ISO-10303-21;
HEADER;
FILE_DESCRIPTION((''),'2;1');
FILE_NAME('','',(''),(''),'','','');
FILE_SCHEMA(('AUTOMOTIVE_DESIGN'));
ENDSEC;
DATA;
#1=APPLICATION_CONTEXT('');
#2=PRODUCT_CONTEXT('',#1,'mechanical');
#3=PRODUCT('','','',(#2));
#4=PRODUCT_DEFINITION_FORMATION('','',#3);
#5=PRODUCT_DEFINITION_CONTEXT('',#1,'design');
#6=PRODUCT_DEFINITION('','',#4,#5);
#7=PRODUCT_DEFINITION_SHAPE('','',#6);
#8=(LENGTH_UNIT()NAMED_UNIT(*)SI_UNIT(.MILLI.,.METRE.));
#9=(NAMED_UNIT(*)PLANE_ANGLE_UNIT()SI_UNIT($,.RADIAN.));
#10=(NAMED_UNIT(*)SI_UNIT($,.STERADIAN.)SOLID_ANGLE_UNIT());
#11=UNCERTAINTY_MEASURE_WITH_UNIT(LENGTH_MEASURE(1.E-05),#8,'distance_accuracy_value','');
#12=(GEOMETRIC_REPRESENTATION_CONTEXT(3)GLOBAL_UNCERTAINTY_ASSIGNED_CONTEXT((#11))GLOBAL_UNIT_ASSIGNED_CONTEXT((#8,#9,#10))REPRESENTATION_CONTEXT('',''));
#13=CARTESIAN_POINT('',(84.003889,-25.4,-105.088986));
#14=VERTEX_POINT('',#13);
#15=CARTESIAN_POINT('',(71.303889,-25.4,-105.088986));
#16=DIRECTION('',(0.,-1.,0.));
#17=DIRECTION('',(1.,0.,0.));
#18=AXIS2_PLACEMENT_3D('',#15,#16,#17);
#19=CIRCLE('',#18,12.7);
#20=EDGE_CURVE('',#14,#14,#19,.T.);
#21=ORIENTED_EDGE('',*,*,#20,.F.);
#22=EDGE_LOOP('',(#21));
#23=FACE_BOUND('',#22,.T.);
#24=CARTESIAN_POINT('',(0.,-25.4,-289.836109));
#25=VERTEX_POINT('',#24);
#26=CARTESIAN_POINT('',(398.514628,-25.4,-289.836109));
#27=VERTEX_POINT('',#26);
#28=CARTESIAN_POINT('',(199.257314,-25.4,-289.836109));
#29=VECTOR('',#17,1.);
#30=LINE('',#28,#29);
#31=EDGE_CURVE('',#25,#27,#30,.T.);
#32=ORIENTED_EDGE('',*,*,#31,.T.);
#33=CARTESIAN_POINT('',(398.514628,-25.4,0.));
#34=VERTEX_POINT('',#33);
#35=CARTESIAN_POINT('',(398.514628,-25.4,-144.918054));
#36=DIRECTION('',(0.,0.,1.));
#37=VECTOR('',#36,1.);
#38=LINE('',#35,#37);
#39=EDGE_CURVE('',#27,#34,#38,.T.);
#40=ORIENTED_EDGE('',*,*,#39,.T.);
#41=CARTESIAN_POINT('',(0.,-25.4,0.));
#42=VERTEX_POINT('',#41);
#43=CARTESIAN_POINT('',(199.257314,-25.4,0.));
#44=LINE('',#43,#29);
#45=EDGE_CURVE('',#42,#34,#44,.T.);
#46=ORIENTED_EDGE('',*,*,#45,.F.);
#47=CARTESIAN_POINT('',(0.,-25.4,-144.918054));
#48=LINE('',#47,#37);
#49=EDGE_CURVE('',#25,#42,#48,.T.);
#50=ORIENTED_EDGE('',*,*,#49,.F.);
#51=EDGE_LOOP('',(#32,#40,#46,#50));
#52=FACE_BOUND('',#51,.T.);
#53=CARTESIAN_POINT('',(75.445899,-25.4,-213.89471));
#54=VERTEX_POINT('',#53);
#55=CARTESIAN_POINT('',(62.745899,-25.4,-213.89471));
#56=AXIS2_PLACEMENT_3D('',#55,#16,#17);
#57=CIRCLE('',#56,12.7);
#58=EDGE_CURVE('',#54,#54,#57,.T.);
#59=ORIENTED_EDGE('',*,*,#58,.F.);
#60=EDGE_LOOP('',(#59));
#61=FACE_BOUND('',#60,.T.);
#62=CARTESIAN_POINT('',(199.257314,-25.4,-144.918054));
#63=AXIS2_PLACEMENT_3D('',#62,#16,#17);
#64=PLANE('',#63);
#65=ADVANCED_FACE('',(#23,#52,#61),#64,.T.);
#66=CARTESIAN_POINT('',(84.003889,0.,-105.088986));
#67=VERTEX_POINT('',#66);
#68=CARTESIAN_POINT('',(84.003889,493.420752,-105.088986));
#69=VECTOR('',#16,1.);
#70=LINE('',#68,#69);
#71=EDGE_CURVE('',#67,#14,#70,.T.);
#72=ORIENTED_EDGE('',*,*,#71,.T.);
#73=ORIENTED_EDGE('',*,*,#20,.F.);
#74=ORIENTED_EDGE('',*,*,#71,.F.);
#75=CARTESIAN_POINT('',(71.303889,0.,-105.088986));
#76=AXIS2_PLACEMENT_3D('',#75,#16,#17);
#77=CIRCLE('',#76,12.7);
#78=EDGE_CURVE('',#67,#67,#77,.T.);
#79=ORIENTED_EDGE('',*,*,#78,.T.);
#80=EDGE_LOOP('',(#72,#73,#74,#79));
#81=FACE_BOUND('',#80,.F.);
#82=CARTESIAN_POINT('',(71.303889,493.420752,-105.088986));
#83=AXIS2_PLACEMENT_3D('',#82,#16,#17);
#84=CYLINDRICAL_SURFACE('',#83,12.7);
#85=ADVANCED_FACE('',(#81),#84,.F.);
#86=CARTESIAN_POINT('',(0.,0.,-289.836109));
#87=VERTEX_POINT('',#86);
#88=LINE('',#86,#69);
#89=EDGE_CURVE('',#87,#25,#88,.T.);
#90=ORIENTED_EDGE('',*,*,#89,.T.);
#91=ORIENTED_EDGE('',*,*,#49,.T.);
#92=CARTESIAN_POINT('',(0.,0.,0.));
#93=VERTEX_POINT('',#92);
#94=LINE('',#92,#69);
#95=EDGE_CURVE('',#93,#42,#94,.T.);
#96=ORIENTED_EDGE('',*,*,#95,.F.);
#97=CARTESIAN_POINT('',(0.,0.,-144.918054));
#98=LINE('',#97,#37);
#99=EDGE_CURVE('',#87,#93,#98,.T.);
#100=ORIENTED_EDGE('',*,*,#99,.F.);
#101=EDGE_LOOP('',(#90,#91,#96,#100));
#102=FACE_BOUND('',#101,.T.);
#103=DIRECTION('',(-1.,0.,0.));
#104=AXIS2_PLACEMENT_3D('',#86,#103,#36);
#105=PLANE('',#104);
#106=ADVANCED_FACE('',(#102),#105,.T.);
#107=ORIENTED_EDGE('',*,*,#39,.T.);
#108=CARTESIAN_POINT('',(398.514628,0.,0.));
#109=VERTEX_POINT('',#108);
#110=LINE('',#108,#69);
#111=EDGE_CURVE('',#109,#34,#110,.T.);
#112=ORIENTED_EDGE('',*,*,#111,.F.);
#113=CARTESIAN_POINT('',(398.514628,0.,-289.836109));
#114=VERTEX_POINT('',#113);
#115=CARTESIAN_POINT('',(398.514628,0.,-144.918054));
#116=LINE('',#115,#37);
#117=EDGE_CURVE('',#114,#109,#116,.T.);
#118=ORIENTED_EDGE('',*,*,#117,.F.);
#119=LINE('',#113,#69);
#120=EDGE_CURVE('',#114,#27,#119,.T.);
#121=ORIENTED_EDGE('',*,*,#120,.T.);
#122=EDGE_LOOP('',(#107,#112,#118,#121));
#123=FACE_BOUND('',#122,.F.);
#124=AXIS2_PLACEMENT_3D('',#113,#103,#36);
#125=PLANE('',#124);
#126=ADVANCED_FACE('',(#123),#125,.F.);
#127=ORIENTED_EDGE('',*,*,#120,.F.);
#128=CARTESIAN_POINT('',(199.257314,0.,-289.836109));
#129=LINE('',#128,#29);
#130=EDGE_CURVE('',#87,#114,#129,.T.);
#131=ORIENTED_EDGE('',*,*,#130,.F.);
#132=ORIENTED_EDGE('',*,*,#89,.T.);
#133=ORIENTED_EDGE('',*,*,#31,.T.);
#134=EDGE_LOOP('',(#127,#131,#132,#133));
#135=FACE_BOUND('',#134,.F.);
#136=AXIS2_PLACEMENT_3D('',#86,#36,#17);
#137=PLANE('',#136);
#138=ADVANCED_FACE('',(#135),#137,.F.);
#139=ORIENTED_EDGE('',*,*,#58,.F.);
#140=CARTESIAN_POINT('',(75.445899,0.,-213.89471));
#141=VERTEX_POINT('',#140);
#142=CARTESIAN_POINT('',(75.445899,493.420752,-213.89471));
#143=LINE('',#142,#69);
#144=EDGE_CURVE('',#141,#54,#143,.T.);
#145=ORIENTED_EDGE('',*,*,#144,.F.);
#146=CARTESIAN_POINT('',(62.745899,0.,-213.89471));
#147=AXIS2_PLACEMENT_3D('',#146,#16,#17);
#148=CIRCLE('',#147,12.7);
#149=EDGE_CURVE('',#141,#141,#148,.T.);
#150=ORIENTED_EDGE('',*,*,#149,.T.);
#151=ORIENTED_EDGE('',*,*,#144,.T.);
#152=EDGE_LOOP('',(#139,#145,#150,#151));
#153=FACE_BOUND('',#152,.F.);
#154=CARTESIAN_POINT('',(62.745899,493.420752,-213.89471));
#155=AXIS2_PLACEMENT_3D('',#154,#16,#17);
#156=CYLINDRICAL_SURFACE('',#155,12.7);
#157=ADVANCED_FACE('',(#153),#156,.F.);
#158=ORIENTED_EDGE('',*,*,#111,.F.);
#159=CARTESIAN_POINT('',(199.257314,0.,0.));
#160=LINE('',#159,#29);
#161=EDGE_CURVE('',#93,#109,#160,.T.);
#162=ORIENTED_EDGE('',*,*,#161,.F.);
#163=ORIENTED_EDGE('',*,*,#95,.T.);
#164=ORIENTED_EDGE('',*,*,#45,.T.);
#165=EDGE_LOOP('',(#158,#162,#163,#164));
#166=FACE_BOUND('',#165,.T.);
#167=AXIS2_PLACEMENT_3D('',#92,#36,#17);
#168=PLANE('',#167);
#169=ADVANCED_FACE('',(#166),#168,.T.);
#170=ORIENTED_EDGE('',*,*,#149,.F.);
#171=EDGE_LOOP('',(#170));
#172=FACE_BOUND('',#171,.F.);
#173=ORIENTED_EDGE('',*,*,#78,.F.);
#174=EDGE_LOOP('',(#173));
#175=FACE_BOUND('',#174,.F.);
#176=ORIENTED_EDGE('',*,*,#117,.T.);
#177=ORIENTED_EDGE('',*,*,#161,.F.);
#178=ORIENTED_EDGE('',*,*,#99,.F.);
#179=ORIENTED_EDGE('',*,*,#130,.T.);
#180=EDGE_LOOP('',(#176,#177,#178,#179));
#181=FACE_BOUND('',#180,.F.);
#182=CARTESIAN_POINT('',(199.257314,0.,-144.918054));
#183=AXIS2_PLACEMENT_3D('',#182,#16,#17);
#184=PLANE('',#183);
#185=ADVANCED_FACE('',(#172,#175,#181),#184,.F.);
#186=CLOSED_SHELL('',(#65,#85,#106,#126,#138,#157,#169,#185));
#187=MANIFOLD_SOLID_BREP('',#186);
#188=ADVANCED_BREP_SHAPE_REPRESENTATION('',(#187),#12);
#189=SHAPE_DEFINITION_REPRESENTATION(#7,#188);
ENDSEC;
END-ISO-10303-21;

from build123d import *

# Parameters (mm, degrees)
F0_W     = 398.514628
F0_H     = 289.836109
F1_DEPTH = 25.4
F3_D     = 25.4


with BuildPart() as f1:
    # F0 (on Front) → F1 (new body)
    with BuildSketch(Plane.XZ):
        with Locations((199.257314, -144.918054)):
            Rectangle(F0_W, F0_H)
    extrude(amount=F1_DEPTH)

    # F3 (through all)
    with Locations(Plane(origin=(0, 0, 0), x_dir=(-1, 0, 0), z_dir=(0, 1, 0))):
        with Locations((-71.303889, -105.088986), (-62.745899, -213.89471)):
            Hole(F3_D / 2)


solid = f1.part
